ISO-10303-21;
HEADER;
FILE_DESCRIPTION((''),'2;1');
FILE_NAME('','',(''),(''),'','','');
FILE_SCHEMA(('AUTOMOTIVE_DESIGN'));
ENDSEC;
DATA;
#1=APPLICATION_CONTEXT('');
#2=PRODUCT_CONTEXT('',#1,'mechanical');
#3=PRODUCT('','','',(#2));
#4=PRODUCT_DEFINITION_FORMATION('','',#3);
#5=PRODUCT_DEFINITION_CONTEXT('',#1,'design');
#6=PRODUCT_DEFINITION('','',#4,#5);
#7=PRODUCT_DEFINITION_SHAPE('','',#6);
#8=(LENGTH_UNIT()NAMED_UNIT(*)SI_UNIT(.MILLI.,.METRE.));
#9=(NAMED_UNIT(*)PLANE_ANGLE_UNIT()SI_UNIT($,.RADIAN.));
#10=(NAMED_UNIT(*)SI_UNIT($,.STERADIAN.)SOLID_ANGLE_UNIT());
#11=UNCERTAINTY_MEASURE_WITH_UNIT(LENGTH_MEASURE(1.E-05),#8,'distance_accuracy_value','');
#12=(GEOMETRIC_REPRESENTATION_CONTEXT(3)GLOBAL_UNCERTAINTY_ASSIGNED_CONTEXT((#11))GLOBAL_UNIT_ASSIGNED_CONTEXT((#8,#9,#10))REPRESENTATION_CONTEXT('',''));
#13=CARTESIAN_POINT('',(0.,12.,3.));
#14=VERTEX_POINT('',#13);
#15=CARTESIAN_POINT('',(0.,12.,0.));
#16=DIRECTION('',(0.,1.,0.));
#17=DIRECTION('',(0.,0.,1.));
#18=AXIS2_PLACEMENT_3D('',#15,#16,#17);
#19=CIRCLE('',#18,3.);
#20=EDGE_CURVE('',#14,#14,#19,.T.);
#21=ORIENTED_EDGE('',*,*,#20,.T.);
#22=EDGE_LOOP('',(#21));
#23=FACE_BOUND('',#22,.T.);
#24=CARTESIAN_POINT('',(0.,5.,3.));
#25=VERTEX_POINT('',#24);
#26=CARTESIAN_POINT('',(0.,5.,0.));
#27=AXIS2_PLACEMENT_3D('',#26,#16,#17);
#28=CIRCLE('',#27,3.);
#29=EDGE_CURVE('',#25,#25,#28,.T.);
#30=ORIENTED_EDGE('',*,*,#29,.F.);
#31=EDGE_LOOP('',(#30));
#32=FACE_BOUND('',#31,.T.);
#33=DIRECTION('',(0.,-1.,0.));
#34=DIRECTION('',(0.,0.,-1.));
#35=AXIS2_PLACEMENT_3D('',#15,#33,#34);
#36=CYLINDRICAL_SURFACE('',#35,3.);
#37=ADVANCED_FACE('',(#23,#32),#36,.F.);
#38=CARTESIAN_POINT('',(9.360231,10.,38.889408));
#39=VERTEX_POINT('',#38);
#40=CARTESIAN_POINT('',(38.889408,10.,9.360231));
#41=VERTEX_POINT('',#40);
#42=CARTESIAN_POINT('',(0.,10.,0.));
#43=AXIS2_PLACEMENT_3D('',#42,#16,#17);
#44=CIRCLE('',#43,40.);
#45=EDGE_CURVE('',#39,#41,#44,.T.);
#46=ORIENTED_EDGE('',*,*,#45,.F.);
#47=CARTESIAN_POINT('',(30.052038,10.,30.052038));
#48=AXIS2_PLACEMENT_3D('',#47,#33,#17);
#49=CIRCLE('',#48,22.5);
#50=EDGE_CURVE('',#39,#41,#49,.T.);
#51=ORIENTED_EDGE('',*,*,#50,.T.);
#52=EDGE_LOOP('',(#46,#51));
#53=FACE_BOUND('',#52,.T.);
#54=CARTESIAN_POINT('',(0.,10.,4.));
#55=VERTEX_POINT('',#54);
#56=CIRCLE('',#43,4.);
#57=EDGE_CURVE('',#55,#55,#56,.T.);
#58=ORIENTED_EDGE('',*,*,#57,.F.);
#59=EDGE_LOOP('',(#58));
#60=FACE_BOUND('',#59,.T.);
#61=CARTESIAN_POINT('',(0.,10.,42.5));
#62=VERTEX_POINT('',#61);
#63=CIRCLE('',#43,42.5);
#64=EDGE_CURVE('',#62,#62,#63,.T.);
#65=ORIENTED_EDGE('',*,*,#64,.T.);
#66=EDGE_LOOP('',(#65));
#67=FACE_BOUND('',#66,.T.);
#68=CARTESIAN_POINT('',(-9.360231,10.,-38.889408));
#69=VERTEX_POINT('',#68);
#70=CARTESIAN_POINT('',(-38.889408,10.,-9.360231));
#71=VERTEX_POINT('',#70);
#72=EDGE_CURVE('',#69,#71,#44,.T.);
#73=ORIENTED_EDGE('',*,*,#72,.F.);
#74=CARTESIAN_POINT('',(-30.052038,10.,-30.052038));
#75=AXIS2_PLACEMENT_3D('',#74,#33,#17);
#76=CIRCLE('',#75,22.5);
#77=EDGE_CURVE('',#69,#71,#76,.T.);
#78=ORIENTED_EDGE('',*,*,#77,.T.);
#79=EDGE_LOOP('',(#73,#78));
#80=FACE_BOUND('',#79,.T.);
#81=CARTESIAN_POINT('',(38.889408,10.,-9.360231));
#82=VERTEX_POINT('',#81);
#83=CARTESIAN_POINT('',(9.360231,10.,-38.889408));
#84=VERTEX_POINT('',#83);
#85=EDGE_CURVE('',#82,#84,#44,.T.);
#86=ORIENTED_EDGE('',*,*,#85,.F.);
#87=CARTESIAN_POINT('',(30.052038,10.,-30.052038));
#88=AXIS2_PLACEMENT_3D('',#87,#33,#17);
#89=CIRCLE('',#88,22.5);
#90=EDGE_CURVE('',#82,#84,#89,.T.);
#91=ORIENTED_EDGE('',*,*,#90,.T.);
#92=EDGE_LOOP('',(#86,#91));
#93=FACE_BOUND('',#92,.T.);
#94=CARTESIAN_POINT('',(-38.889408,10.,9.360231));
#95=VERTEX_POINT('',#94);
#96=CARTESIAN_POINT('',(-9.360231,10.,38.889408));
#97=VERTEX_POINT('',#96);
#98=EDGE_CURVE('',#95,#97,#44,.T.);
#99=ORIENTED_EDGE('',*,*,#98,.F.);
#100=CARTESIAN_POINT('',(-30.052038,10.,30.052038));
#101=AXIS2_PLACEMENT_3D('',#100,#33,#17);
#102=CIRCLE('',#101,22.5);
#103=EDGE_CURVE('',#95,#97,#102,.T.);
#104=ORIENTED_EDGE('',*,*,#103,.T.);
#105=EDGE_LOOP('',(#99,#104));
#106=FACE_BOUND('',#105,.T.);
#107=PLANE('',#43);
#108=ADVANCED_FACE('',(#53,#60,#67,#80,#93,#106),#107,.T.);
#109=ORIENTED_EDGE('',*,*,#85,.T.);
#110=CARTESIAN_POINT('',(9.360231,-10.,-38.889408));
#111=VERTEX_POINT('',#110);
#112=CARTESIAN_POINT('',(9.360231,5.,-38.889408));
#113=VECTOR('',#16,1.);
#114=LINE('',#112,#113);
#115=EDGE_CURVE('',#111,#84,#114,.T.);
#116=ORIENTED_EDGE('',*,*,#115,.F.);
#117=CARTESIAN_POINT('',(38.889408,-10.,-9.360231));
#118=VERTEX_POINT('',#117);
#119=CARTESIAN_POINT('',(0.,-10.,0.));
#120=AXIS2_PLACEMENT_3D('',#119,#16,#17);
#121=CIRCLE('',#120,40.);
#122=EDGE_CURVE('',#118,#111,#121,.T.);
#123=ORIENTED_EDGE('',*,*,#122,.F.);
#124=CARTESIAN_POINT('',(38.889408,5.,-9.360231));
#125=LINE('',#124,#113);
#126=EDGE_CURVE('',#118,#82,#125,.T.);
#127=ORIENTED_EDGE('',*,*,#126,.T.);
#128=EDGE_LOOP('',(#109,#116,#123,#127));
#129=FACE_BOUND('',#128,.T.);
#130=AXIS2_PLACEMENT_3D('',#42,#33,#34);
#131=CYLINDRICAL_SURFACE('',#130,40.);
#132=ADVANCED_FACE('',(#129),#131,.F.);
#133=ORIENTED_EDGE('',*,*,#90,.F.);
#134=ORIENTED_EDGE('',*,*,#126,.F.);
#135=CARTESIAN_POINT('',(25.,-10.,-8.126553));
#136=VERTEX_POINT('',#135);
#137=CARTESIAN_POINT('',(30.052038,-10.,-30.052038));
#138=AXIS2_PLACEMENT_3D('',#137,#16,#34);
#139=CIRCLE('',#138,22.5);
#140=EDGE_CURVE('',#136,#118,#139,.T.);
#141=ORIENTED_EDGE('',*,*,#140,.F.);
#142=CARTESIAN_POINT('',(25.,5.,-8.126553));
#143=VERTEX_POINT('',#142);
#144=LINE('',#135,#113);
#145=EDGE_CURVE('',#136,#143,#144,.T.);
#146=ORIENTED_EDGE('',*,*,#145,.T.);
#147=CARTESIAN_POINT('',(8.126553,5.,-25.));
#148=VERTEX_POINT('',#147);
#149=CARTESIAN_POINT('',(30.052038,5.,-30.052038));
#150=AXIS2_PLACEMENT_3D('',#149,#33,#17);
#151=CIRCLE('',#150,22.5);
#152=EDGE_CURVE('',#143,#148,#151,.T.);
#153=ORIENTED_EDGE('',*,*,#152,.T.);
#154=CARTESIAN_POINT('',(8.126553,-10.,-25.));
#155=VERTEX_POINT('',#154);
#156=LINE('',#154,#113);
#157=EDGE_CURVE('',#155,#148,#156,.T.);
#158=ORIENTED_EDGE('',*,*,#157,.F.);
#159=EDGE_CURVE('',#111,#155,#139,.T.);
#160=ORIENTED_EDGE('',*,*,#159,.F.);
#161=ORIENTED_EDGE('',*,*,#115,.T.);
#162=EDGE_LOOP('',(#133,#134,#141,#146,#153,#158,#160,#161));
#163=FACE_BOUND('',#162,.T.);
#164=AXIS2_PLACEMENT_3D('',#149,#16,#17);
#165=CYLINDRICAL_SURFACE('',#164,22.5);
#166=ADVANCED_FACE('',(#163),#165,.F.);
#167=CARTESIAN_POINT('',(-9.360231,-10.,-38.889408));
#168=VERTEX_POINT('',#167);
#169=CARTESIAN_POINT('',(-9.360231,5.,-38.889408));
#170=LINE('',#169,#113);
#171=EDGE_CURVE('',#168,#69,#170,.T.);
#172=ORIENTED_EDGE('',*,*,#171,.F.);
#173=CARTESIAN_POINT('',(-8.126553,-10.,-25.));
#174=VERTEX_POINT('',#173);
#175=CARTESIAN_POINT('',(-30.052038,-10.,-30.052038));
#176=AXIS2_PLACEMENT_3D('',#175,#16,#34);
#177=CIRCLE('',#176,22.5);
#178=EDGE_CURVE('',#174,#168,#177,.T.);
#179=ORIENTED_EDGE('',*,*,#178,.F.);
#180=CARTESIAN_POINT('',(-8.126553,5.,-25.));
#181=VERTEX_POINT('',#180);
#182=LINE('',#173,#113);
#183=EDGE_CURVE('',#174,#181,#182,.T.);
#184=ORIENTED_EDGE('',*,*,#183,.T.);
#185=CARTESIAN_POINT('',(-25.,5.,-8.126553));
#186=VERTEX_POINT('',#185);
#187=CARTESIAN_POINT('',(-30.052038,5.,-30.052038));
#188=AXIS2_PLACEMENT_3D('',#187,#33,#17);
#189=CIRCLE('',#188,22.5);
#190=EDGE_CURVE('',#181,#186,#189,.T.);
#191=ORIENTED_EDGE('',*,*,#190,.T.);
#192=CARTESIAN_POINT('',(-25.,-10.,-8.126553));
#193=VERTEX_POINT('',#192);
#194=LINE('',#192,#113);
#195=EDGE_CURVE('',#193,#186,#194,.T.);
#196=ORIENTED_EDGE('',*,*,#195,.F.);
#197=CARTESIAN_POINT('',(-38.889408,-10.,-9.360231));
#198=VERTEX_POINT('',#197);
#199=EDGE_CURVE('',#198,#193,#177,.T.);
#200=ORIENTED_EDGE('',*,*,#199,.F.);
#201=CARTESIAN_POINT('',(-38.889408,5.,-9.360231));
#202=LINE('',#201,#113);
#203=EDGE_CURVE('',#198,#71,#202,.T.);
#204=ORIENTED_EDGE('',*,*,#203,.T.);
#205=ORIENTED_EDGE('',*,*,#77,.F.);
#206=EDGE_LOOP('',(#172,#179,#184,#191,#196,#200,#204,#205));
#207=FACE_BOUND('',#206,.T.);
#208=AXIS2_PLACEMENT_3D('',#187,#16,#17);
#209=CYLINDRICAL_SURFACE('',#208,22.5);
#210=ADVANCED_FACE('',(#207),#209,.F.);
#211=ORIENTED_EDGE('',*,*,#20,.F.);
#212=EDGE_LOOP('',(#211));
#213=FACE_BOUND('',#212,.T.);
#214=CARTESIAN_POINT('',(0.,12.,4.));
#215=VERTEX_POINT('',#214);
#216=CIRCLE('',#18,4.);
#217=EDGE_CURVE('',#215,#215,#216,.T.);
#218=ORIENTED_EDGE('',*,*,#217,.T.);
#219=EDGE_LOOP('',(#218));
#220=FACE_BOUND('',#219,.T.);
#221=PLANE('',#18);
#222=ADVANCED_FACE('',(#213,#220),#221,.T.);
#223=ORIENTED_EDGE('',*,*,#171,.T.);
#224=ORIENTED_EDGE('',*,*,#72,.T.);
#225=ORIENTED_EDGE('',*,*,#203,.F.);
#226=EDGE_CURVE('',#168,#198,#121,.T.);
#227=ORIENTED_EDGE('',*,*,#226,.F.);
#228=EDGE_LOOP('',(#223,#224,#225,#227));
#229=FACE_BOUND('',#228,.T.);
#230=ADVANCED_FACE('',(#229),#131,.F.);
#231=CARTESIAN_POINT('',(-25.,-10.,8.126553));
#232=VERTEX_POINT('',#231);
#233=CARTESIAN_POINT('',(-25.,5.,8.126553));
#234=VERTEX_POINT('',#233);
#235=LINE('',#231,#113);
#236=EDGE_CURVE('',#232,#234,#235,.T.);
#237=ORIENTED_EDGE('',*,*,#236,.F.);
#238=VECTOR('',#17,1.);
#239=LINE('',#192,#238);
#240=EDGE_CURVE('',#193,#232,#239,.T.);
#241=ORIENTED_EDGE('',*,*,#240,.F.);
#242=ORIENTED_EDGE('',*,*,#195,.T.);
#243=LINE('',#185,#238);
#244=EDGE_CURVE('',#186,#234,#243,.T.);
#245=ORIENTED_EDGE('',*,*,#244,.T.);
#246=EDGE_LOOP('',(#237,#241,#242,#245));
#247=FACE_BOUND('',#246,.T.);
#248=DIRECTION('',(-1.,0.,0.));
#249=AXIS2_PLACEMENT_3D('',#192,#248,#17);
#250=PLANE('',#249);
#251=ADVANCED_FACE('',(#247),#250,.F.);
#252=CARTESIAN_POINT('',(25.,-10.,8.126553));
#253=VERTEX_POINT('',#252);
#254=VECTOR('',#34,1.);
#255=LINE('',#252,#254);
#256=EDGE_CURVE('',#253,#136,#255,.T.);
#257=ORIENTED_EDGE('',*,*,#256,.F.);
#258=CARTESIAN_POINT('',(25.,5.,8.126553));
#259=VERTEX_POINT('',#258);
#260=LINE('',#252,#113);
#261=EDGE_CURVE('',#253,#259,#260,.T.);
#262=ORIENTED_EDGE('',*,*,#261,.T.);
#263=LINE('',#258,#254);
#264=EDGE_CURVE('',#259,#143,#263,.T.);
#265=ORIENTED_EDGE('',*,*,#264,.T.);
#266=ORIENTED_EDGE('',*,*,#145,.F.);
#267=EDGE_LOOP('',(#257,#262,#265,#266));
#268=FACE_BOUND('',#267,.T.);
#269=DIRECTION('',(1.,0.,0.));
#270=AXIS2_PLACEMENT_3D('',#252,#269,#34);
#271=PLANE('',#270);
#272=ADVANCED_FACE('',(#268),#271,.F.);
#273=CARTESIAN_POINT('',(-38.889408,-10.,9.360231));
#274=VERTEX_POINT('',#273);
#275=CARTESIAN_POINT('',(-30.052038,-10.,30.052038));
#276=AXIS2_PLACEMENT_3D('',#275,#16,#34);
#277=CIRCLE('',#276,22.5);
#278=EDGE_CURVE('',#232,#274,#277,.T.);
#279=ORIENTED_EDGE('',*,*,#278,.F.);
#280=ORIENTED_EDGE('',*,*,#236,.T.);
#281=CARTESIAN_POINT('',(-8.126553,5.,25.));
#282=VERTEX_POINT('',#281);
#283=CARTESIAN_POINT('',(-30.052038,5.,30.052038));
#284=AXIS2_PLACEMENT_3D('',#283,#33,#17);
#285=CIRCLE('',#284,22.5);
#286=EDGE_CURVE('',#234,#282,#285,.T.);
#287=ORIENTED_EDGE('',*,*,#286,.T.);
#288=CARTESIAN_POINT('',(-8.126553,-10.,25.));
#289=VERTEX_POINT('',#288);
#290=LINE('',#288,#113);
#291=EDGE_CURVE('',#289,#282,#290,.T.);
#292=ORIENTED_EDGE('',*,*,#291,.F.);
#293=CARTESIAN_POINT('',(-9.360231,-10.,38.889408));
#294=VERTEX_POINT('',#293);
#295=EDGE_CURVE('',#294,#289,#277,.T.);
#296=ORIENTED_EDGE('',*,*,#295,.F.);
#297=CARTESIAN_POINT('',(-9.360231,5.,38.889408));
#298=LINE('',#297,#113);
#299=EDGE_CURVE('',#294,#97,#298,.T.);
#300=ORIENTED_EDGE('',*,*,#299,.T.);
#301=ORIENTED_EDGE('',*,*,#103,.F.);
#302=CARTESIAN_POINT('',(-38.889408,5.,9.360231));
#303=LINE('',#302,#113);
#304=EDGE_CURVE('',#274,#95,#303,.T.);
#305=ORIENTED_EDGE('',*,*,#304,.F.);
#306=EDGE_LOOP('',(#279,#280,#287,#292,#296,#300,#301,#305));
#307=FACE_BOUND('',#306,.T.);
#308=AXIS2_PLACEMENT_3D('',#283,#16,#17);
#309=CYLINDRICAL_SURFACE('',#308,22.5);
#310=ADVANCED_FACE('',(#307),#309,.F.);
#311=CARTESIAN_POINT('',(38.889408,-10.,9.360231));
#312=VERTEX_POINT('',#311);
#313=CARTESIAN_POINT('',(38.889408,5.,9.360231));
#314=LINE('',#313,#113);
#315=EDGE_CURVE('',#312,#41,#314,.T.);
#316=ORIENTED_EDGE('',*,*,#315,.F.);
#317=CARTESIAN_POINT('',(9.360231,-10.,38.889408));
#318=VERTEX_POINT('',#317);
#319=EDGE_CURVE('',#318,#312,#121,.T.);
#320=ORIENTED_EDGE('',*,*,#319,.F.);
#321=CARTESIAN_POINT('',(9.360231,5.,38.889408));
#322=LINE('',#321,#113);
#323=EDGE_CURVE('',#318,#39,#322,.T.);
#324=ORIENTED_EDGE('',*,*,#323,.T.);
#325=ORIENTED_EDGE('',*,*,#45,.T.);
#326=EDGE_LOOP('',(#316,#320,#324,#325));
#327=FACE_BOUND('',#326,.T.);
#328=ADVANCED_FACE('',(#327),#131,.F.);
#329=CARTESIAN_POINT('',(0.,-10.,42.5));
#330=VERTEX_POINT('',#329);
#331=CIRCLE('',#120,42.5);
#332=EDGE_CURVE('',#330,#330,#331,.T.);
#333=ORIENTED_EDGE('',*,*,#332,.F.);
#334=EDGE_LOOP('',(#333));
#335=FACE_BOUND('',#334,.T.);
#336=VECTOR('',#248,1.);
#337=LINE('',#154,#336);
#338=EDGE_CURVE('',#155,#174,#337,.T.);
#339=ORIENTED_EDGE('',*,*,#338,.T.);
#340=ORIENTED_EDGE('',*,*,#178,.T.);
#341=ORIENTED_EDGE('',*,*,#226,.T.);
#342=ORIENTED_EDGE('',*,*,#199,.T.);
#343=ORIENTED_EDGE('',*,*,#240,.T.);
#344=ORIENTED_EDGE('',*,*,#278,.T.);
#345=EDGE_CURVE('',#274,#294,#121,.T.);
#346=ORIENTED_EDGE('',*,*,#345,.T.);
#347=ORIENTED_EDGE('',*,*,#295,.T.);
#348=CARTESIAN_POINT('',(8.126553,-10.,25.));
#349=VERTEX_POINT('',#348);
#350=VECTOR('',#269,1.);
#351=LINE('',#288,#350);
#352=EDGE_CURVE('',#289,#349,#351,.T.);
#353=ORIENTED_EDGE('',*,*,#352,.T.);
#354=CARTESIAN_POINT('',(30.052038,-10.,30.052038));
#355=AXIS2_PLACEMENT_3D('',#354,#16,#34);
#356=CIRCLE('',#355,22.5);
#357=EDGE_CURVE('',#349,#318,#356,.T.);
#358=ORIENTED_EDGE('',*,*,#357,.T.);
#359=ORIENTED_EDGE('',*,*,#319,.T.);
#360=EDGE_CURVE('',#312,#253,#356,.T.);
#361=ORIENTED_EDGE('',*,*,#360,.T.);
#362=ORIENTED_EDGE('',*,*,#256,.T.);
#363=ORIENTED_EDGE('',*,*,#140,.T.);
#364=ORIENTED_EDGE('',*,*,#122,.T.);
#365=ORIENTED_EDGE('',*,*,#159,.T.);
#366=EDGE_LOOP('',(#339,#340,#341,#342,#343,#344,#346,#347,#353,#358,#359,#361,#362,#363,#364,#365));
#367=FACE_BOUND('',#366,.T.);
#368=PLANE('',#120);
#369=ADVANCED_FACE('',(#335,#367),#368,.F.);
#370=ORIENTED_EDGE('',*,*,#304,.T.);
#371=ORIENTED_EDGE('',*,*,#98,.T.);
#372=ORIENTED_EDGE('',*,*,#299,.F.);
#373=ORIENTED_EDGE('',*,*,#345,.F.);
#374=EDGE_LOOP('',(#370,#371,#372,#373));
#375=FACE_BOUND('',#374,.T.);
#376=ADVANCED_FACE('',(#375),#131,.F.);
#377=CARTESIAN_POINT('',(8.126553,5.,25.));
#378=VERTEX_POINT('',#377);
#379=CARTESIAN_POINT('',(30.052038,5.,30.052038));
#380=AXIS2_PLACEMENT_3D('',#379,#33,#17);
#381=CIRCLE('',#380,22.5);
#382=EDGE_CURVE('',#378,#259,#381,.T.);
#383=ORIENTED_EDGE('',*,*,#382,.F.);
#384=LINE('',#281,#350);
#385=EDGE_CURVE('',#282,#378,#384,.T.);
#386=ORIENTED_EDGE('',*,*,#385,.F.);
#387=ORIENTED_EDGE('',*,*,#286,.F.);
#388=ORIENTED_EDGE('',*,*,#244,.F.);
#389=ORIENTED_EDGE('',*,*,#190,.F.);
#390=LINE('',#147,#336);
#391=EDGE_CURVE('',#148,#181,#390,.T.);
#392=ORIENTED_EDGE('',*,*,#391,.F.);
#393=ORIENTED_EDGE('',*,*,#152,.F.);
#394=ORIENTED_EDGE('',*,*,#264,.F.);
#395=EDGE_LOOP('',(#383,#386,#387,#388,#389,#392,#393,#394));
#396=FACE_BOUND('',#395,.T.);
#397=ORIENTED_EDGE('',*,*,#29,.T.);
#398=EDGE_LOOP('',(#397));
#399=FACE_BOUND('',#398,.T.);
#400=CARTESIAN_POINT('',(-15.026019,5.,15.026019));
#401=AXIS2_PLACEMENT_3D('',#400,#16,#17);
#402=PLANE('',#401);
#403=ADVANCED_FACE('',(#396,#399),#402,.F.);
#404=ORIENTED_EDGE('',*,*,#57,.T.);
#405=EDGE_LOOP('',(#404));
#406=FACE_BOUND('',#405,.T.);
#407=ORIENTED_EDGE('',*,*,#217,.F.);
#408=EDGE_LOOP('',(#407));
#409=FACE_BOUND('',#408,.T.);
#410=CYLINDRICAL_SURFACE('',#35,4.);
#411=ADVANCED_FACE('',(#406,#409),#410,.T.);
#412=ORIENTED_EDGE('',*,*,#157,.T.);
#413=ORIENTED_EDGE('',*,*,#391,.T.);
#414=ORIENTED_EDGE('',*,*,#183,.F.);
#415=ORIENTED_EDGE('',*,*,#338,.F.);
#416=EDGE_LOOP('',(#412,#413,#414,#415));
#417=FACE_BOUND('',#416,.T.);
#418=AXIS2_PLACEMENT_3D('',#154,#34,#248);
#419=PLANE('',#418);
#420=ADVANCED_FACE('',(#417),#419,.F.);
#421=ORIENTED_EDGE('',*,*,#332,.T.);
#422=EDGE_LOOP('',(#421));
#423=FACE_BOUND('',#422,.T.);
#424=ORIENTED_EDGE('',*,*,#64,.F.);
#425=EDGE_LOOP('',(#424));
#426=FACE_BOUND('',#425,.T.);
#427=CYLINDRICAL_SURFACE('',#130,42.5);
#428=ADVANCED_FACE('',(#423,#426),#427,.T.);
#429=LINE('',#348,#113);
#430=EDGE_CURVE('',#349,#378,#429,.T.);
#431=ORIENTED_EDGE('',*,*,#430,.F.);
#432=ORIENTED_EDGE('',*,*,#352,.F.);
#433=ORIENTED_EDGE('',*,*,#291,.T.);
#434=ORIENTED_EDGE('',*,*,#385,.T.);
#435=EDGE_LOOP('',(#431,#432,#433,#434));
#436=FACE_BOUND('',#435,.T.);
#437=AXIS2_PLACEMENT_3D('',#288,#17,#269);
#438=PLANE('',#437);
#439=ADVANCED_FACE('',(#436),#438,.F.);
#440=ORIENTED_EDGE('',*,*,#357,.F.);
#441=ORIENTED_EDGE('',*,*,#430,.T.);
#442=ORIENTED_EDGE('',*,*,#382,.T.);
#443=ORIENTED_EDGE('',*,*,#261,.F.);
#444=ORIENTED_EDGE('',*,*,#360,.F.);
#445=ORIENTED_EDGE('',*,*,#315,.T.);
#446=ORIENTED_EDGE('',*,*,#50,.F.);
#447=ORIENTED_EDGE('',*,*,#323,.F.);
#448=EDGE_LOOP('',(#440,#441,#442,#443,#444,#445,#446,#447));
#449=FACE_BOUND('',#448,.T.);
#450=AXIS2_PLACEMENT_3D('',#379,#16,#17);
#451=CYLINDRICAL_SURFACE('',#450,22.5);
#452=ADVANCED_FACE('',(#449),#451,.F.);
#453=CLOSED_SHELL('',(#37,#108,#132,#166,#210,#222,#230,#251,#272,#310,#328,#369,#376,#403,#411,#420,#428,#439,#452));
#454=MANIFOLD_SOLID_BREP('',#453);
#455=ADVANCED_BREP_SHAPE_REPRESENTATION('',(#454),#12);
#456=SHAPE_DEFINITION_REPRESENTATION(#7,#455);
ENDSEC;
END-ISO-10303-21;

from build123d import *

# Parameters (mm, degrees)
SKETCH1_R           = 42.5
SKETCH1_R_2         = 40
BOSS_EXTRUDE1_DEPTH = 10
BOSS_EXTRUDE2_START = -5
BOSS_EXTRUDE2_DEPTH = 5
SKETCH3_R           = 4
SKETCH3_R_2         = 3
BOSS_EXTRUDE3_DEPTH = 2
SKETCH4_R           = 3
CUT_EXTRUDE1_DEPTH  = 64.344297297
BOSS_EXTRUDE4_START = 15
BOSS_EXTRUDE4_DEPTH = 15


with BuildPart() as part:
    # Sketch1 → Boss-Extrude1 (new, symmetric)
    with BuildSketch(Plane(origin=(0, 0, 0), x_dir=(1, 0, 0), z_dir=(0, 1, 0))):
        with Locations(Location((0, 0, 0), (0, 0, 270))):
            Circle(SKETCH1_R)
        with Locations(Location((0, 0, 0), (0, 0, 270))):
            Circle(SKETCH1_R_2, mode=Mode.SUBTRACT)
    extrude(amount=BOSS_EXTRUDE1_DEPTH, both=True)

    # Sketch2 → Boss-Extrude2 (add)
    with BuildSketch(Plane(origin=(0, 10, 0), x_dir=(1, 0, 0), z_dir=(0, 1, 0)).offset(BOSS_EXTRUDE2_START)):
        with BuildLine():
            ThreePointArc((-38.889408297, 9.36023089), (-14.142135624, 14.142135624), (-9.36023089, 38.889408297))
            ThreePointArc((-9.36023089, 38.889408297), (0, 40), (9.36023089, 38.889408297))
            ThreePointArc((9.36023089, 38.889408297), (14.142135624, 14.142135624), (38.889408297, 9.36023089))
            ThreePointArc((38.889408297, 9.36023089), (40, 0), (38.889408297, -9.36023089))
            ThreePointArc((38.889408297, -9.36023089), (14.142135624, -14.142135624), (9.36023089, -38.889408297))
            ThreePointArc((9.36023089, -38.889408297), (0, -40), (-9.36023089, -38.889408297))
            ThreePointArc((-9.36023089, -38.889408297), (-14.142135624, -14.142135624), (-38.889408297, -9.36023089))
            ThreePointArc((-38.889408297, -9.36023089), (-40, 0), (-38.889408297, 9.36023089))
        make_face()
    extrude(amount=BOSS_EXTRUDE2_DEPTH)

    # Sketch3 → Boss-Extrude3 (add)
    with BuildSketch(Plane(origin=(0, 10, 0), x_dir=(1, 0, 0), z_dir=(0, 1, 0))):
        with Locations(Location((0, 0, 0), (0, 0, 270))):
            Circle(SKETCH3_R)
        with Locations(Location((0, 0, 0), (0, 0, 270))):
            Circle(SKETCH3_R_2, mode=Mode.SUBTRACT)
    extrude(amount=BOSS_EXTRUDE3_DEPTH)

    # Sketch4 → Cut-Extrude1 (cut, through all)
    with BuildSketch(Plane(origin=(0, 10, 0), x_dir=(1, 0, 0), z_dir=(0, 1, 0))):
        with Locations(Location((0, 0, 0), (0, 0, 270))):
            Circle(SKETCH4_R)
    extrude(amount=-CUT_EXTRUDE1_DEPTH, mode=Mode.SUBTRACT)

    # Sketch5 → Boss-Extrude4 (add)
    with BuildSketch(Plane.XZ.offset(-5).offset(BOSS_EXTRUDE4_START)):
        with BuildLine():
            Line((-25, -8.126552801), (-25, 8.126552801))
            ThreePointArc((-25, 8.126552801), (-32.042685029, 7.64027064), (-38.889408297, 9.36023089))
            ThreePointArc((-38.889408297, 9.36023089), (-40, 0), (-38.889408297, -9.36023089))
            ThreePointArc((-38.889408297, -9.36023089), (-32.042685029, -7.64027064), (-25, -8.126552801))
        make_face()
        with BuildLine():
            Line((-8.126552801, 25), (8.126552801, 25))
            ThreePointArc((8.126552801, 25), (7.64027064, 32.042685029), (9.36023089, 38.889408297))
            ThreePointArc((9.36023089, 38.889408297), (0, 40), (-9.36023089, 38.889408297))
            ThreePointArc((-9.36023089, 38.889408297), (-7.64027064, 32.042685029), (-8.126552801, 25))
        make_face()
        with BuildLine():
            Line((25, 8.126552801), (25, -8.126552801))
            ThreePointArc((25, -8.126552801), (32.042685029, -7.64027064), (38.889408297, -9.36023089))
            ThreePointArc((38.889408297, -9.36023089), (40, 0), (38.889408297, 9.36023089))
            ThreePointArc((38.889408297, 9.36023089), (32.042685029, 7.64027064), (25, 8.126552801))
        make_face()
        with BuildLine():
            Line((8.126552801, -25), (-8.126552801, -25))
            ThreePointArc((-8.126552801, -25), (-7.64027064, -32.042685029), (-9.36023089, -38.889408297))
            ThreePointArc((-9.36023089, -38.889408297), (0, -40), (9.36023089, -38.889408297))
            ThreePointArc((9.36023089, -38.889408297), (7.64027064, -32.042685029), (8.126552801, -25))
        make_face()
    extrude(amount=-BOSS_EXTRUDE4_DEPTH)


solid = part.part
